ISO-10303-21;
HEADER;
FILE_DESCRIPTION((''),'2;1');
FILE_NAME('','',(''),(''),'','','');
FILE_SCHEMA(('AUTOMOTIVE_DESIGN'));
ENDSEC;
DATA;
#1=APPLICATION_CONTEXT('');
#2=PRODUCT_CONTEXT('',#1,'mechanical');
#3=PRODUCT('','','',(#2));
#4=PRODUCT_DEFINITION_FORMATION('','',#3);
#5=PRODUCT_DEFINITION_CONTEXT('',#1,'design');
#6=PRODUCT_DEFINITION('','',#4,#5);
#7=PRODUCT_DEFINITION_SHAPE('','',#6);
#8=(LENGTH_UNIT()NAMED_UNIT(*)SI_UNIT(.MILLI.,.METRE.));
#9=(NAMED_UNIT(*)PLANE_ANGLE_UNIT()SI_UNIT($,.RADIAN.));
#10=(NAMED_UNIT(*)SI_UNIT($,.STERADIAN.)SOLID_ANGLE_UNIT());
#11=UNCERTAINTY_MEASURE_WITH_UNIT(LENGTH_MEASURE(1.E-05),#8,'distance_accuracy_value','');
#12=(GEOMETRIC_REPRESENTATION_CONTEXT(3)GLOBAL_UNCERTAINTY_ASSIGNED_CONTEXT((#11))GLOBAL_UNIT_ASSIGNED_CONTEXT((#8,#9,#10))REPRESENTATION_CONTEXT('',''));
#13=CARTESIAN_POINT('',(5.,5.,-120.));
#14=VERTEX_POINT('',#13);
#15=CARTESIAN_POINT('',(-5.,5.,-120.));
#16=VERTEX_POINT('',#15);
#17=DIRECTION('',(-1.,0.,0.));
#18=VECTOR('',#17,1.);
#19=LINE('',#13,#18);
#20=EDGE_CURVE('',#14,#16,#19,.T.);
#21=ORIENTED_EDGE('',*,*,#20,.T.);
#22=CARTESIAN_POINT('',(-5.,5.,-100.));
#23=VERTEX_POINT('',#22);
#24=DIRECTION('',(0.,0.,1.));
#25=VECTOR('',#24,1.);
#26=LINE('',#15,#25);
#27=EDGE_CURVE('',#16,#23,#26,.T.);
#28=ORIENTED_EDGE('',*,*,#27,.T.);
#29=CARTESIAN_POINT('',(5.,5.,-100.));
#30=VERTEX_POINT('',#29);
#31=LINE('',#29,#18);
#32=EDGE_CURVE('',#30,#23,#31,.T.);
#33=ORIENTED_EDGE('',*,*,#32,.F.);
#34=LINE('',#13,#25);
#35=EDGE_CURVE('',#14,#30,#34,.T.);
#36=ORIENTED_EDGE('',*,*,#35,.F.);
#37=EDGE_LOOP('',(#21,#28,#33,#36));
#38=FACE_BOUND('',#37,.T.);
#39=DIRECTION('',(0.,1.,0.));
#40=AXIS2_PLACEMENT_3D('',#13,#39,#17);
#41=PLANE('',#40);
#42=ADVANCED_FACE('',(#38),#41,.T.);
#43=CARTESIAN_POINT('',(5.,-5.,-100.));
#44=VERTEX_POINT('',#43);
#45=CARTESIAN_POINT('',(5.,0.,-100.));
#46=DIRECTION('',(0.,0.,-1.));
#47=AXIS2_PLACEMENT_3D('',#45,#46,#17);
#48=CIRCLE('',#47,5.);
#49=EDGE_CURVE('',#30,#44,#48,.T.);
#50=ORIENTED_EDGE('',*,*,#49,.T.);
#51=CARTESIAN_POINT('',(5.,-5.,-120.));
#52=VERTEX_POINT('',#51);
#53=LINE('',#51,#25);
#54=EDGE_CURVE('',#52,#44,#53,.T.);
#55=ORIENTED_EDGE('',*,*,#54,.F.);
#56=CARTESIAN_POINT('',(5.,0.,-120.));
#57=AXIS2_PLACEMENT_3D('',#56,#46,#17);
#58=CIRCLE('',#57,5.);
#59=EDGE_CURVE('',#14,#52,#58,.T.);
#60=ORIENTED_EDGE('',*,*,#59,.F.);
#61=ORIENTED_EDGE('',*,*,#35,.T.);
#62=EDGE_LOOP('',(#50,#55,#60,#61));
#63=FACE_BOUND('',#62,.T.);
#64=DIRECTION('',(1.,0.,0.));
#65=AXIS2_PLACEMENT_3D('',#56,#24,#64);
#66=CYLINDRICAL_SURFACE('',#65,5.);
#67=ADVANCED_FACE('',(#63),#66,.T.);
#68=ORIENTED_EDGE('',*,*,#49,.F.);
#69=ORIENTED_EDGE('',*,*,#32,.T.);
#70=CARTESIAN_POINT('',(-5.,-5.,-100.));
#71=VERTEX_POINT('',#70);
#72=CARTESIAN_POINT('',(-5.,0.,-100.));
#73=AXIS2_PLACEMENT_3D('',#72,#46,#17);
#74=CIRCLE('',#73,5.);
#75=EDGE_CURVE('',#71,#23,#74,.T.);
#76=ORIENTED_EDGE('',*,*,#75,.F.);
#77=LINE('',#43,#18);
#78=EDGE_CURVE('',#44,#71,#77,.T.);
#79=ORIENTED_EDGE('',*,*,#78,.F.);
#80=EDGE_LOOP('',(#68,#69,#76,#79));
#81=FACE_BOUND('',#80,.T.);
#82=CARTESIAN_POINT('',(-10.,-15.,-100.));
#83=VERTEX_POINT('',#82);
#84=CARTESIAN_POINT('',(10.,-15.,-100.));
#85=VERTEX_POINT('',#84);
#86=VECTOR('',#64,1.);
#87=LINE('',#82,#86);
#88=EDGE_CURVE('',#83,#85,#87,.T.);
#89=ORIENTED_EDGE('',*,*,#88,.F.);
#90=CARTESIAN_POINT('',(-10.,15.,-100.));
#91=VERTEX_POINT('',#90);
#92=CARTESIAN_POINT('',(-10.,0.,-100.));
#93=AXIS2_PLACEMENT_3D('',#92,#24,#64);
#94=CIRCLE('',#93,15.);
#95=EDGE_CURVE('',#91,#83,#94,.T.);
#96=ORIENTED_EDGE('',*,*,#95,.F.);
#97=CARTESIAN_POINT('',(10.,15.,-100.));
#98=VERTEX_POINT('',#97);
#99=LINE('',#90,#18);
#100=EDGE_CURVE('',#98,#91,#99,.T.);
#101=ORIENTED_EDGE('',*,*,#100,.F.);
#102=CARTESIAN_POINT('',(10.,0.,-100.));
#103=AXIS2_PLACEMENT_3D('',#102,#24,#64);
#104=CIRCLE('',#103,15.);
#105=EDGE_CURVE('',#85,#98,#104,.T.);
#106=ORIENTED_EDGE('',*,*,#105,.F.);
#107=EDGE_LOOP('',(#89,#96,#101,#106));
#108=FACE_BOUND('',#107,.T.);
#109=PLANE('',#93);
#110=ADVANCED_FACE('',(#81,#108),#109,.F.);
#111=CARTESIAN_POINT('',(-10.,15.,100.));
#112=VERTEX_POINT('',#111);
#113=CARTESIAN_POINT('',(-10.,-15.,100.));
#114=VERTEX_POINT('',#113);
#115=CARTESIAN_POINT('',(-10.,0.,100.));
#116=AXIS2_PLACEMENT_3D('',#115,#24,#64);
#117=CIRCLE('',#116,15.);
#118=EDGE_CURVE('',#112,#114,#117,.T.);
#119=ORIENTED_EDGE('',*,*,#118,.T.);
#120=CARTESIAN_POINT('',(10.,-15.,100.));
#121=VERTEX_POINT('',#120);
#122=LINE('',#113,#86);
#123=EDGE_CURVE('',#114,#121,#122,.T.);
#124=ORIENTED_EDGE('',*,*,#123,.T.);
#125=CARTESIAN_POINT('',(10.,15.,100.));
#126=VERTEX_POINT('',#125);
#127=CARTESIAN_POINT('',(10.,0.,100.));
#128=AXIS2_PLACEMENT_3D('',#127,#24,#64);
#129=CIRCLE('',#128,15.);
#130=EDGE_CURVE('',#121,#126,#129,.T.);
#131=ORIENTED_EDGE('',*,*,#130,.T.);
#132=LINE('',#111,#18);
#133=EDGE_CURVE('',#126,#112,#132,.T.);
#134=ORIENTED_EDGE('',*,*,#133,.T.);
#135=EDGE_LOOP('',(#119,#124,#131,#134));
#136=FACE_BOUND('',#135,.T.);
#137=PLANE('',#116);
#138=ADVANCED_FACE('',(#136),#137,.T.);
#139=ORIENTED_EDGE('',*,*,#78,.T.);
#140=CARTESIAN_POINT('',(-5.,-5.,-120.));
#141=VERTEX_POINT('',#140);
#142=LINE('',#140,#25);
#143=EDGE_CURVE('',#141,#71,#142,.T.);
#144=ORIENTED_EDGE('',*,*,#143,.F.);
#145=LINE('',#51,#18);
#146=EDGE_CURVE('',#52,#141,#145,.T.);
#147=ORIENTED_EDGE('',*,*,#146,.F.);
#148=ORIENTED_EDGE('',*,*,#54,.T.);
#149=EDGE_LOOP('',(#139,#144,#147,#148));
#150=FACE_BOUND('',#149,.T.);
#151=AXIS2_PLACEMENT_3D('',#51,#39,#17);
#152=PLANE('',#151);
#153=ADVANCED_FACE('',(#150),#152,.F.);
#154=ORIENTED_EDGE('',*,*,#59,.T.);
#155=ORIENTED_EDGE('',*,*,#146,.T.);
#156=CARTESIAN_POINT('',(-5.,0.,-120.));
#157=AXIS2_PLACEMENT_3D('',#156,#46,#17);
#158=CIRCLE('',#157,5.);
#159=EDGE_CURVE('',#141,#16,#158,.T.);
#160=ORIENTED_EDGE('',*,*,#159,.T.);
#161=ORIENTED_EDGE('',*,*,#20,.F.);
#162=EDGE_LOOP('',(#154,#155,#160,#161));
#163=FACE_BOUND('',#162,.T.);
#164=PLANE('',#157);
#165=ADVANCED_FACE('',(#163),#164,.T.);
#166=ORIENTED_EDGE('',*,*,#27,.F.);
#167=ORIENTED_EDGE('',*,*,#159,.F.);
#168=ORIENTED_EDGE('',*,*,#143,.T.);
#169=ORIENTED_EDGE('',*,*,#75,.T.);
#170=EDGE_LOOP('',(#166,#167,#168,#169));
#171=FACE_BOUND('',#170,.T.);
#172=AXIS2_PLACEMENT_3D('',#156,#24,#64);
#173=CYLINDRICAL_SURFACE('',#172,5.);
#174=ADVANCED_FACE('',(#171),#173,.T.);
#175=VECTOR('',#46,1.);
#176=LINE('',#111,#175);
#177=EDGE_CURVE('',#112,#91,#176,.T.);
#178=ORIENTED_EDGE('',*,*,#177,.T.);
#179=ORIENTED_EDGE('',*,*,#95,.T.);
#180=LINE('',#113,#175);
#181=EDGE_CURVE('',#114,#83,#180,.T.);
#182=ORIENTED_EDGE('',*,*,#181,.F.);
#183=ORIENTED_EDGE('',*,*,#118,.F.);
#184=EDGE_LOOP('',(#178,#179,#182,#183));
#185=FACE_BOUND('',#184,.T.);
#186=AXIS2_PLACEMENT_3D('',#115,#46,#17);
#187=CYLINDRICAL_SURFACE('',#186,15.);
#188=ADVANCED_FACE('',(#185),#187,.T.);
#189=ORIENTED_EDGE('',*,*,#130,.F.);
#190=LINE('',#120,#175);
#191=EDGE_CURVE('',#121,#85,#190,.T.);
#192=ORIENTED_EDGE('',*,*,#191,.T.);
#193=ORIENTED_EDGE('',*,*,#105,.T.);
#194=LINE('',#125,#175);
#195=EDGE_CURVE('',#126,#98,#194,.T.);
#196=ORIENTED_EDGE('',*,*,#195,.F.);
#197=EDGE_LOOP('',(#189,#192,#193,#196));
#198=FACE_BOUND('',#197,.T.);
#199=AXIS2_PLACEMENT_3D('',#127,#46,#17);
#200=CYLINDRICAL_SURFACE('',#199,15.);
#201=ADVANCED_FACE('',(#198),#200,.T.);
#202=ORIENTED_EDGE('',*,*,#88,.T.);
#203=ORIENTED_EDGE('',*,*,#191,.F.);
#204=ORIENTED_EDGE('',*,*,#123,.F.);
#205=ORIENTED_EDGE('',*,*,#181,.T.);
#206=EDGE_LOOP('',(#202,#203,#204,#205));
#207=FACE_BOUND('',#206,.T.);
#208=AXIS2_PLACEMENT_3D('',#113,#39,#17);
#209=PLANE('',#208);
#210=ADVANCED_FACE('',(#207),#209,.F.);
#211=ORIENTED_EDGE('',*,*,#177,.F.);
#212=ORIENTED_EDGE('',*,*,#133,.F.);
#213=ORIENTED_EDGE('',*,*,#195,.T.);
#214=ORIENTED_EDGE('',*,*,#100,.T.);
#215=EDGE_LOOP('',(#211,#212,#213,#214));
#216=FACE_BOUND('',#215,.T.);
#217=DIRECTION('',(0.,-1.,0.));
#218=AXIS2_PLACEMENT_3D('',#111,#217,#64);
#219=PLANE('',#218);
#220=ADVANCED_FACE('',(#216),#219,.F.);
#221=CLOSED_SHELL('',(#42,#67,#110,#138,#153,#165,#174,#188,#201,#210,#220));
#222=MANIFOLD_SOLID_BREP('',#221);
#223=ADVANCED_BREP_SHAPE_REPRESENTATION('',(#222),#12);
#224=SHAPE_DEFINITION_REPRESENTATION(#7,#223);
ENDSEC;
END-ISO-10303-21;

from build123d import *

# Parameters (mm, degrees)
EXTRUDE_1_DEPTH = 100
EXTRUDE_2_DEPTH = 20


with BuildPart() as part:
    # 草图1 → 凸台-拉伸1 (new, symmetric)
    with BuildSketch(Plane.XY):
        with BuildLine():
            Line((-10, 15), (10, 15))
            ThreePointArc((10, 15), (25, 0), (10, -15))
            Line((10, -15), (-10, -15))
            ThreePointArc((-10, -15), (-25, 0), (-10, 15))
        make_face()
    extrude(amount=EXTRUDE_1_DEPTH, both=True)

    # 草图2 → 凸台-拉伸2 (add)
    with BuildSketch(Plane(origin=(0, 0, -100), x_dir=(-1, 0, 0), z_dir=(0, 0, -1))):
        with BuildLine():
            Line((-5, 5), (5, 5))
            ThreePointArc((5, 5), (10, 0), (5, -5))
            Line((5, -5), (-5, -5))
            ThreePointArc((-5, -5), (-10, 0), (-5, 5))
        make_face()
    extrude(amount=EXTRUDE_2_DEPTH)


solid = part.part
